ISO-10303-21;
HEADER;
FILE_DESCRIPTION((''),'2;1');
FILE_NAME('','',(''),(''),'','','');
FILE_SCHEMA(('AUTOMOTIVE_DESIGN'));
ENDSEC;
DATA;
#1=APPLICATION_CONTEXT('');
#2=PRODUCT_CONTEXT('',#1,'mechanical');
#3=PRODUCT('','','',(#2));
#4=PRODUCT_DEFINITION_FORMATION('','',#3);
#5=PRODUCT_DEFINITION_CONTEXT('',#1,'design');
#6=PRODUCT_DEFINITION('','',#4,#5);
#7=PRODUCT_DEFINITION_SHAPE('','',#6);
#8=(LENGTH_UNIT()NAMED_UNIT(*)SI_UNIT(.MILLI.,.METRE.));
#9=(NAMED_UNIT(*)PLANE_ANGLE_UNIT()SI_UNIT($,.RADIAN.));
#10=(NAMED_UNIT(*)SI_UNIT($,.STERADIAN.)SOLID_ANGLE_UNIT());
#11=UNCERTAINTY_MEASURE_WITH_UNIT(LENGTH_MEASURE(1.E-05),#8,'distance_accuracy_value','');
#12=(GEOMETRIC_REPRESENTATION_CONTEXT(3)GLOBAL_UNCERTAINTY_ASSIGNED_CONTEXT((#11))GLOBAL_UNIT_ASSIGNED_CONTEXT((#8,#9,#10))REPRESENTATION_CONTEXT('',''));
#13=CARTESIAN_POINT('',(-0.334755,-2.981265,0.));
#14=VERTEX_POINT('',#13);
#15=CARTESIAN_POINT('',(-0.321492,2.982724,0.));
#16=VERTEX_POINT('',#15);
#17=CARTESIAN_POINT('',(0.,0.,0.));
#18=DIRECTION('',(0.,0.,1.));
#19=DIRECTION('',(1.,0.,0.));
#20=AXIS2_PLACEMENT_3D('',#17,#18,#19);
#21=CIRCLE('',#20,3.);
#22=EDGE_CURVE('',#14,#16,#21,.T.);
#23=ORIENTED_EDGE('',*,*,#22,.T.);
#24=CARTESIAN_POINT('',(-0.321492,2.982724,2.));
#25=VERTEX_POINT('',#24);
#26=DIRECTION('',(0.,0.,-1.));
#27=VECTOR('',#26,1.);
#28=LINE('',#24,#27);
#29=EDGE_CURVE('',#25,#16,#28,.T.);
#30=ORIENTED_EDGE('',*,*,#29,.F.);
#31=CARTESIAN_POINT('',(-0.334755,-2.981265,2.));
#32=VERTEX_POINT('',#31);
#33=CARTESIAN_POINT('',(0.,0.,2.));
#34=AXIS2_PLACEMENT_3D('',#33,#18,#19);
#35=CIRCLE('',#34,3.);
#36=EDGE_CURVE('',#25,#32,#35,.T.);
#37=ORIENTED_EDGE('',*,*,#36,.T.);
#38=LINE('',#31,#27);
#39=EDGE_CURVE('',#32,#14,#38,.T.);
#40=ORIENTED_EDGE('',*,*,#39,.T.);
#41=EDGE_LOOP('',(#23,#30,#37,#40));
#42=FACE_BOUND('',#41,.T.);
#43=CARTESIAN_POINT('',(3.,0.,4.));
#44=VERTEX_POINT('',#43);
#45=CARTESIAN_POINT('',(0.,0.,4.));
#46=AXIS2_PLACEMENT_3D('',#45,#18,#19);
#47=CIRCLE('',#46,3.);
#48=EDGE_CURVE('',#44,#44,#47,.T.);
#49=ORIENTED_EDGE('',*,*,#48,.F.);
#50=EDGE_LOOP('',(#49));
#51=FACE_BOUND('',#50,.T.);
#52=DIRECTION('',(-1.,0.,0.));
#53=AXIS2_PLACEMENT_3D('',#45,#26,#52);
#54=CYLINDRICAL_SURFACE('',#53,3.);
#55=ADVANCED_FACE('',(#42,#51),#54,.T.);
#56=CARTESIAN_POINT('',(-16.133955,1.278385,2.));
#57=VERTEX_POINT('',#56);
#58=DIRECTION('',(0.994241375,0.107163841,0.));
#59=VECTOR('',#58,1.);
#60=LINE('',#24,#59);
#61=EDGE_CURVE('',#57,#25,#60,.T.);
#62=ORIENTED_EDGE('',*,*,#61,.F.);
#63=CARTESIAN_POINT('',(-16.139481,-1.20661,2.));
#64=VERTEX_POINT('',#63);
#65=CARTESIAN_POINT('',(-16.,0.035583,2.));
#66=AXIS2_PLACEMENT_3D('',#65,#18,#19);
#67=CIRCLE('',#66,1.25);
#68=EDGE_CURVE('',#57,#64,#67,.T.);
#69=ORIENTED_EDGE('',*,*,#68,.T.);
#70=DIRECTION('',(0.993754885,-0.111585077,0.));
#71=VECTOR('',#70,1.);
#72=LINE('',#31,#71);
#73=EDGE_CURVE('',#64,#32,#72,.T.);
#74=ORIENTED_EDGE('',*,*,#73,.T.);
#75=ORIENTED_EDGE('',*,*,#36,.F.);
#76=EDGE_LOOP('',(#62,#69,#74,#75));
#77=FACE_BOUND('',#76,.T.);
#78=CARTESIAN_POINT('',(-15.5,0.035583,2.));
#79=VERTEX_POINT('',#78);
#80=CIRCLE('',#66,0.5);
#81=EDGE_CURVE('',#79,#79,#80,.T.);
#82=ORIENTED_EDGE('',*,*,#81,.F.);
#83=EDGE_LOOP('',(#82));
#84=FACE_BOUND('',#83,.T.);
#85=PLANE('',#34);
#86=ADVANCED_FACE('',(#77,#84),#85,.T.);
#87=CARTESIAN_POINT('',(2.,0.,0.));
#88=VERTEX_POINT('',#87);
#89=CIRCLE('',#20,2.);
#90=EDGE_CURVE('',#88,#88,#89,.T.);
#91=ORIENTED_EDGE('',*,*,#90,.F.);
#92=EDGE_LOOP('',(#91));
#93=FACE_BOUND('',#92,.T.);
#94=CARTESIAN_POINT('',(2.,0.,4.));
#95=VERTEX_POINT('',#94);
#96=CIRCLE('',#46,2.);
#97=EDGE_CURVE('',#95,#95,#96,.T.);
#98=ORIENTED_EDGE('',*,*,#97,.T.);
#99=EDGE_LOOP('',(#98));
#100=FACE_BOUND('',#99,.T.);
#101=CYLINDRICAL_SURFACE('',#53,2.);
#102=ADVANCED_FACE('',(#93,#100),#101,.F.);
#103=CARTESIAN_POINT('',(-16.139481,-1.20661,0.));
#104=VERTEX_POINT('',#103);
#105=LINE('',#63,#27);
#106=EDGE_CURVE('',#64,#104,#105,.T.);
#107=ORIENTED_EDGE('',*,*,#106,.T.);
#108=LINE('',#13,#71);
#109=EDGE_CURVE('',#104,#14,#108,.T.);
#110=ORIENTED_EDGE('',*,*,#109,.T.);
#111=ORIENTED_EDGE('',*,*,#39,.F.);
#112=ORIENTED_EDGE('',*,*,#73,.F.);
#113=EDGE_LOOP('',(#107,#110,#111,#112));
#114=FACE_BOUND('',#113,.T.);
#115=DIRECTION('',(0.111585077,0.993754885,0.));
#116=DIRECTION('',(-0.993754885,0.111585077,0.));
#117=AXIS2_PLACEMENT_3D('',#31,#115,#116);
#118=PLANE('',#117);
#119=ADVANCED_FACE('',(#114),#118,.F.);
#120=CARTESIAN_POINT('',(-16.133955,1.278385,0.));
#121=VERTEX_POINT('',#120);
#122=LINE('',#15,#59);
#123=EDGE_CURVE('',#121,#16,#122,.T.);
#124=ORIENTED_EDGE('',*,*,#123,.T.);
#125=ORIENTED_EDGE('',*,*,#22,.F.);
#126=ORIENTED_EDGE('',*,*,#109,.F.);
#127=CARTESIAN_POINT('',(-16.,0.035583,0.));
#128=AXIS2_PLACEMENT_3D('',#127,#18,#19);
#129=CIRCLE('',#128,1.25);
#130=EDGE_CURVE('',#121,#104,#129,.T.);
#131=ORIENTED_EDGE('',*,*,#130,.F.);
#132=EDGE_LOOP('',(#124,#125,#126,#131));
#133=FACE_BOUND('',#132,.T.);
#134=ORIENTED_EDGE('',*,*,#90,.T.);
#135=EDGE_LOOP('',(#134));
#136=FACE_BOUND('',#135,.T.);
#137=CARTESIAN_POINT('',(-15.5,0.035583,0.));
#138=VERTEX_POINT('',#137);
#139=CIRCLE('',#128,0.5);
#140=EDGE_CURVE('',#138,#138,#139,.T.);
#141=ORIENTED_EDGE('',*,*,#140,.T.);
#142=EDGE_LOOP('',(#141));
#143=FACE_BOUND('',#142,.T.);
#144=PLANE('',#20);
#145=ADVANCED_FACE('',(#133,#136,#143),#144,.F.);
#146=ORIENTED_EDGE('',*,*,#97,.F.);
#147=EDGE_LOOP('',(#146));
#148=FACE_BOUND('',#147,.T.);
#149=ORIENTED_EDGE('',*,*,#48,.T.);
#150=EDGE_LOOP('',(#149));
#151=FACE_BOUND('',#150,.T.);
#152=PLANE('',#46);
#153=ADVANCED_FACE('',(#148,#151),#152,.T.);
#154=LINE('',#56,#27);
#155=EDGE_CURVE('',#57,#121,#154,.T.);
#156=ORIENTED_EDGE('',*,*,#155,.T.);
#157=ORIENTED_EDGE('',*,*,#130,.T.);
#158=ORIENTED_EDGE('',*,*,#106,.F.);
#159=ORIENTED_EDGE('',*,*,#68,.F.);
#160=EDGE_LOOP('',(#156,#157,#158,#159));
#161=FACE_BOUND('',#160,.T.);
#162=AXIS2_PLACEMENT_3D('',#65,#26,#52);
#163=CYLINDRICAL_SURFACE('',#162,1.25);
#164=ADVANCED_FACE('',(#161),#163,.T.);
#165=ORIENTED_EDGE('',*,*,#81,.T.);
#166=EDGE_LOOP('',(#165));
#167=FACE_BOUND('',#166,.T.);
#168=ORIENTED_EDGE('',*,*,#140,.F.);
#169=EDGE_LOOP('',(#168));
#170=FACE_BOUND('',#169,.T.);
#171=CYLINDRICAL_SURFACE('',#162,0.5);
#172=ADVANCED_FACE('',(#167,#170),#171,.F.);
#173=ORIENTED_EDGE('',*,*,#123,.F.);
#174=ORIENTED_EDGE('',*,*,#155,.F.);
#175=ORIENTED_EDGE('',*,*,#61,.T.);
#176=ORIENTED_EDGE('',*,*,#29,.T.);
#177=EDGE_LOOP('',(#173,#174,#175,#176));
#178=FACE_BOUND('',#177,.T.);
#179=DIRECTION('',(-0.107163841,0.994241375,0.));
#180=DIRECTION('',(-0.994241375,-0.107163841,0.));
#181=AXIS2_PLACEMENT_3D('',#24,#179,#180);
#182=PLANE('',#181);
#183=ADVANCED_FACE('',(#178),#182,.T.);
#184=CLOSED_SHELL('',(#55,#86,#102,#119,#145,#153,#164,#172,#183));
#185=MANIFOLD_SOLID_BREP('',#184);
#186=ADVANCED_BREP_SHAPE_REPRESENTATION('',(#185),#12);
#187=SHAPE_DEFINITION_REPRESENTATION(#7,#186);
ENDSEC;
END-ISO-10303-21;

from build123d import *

# Parameters (mm, degrees)
SKETCH_1_R      = 2
EXTRUDE_1_DEPTH = 4
SKETCH_1_3_R    = 0.5
EXTRUDE_2_DEPTH = 2


with BuildPart() as part:
    # 草图1 → 凸台-拉伸1 (new body)
    with BuildSketch(Plane.XY):
        with BuildLine():
            ThreePointArc((-0.321491523, 2.982724124), (-2.999992581, 0.006671881), (-0.334755231, -2.981264654))
            ThreePointArc((-0.334755231, -2.981264654), (1.999466717, -2.236544846), (3, 0))
            ThreePointArc((3, 0), (2.00443576, 2.23209258), (-0.321491523, 2.982724124))
        make_face()
        Circle(SKETCH_1_R, mode=Mode.SUBTRACT)
    extrude(amount=EXTRUDE_1_DEPTH)

    # 草图1<3> → 凸台-拉伸2 (add)
    with BuildSketch(Plane.XY):
        with BuildLine():
            ThreePointArc((-16.133954801, 1.278385172), (-17.249996909, 0.038363404), (-16.139481346, -1.206610152))
            Line((-16.139481346, -1.206610152), (-0.334755231, -2.981264654))
            ThreePointArc((-0.334755231, -2.981264654), (-2.999992581, 0.006671881), (-0.321491523, 2.982724124))
            Line((-0.321491523, 2.982724124), (-16.133954801, 1.278385172))
        make_face()
        with Locations((-16, 0.035583454)):
            Circle(SKETCH_1_3_R, mode=Mode.SUBTRACT)
    extrude(amount=EXTRUDE_2_DEPTH)


solid = part.part
